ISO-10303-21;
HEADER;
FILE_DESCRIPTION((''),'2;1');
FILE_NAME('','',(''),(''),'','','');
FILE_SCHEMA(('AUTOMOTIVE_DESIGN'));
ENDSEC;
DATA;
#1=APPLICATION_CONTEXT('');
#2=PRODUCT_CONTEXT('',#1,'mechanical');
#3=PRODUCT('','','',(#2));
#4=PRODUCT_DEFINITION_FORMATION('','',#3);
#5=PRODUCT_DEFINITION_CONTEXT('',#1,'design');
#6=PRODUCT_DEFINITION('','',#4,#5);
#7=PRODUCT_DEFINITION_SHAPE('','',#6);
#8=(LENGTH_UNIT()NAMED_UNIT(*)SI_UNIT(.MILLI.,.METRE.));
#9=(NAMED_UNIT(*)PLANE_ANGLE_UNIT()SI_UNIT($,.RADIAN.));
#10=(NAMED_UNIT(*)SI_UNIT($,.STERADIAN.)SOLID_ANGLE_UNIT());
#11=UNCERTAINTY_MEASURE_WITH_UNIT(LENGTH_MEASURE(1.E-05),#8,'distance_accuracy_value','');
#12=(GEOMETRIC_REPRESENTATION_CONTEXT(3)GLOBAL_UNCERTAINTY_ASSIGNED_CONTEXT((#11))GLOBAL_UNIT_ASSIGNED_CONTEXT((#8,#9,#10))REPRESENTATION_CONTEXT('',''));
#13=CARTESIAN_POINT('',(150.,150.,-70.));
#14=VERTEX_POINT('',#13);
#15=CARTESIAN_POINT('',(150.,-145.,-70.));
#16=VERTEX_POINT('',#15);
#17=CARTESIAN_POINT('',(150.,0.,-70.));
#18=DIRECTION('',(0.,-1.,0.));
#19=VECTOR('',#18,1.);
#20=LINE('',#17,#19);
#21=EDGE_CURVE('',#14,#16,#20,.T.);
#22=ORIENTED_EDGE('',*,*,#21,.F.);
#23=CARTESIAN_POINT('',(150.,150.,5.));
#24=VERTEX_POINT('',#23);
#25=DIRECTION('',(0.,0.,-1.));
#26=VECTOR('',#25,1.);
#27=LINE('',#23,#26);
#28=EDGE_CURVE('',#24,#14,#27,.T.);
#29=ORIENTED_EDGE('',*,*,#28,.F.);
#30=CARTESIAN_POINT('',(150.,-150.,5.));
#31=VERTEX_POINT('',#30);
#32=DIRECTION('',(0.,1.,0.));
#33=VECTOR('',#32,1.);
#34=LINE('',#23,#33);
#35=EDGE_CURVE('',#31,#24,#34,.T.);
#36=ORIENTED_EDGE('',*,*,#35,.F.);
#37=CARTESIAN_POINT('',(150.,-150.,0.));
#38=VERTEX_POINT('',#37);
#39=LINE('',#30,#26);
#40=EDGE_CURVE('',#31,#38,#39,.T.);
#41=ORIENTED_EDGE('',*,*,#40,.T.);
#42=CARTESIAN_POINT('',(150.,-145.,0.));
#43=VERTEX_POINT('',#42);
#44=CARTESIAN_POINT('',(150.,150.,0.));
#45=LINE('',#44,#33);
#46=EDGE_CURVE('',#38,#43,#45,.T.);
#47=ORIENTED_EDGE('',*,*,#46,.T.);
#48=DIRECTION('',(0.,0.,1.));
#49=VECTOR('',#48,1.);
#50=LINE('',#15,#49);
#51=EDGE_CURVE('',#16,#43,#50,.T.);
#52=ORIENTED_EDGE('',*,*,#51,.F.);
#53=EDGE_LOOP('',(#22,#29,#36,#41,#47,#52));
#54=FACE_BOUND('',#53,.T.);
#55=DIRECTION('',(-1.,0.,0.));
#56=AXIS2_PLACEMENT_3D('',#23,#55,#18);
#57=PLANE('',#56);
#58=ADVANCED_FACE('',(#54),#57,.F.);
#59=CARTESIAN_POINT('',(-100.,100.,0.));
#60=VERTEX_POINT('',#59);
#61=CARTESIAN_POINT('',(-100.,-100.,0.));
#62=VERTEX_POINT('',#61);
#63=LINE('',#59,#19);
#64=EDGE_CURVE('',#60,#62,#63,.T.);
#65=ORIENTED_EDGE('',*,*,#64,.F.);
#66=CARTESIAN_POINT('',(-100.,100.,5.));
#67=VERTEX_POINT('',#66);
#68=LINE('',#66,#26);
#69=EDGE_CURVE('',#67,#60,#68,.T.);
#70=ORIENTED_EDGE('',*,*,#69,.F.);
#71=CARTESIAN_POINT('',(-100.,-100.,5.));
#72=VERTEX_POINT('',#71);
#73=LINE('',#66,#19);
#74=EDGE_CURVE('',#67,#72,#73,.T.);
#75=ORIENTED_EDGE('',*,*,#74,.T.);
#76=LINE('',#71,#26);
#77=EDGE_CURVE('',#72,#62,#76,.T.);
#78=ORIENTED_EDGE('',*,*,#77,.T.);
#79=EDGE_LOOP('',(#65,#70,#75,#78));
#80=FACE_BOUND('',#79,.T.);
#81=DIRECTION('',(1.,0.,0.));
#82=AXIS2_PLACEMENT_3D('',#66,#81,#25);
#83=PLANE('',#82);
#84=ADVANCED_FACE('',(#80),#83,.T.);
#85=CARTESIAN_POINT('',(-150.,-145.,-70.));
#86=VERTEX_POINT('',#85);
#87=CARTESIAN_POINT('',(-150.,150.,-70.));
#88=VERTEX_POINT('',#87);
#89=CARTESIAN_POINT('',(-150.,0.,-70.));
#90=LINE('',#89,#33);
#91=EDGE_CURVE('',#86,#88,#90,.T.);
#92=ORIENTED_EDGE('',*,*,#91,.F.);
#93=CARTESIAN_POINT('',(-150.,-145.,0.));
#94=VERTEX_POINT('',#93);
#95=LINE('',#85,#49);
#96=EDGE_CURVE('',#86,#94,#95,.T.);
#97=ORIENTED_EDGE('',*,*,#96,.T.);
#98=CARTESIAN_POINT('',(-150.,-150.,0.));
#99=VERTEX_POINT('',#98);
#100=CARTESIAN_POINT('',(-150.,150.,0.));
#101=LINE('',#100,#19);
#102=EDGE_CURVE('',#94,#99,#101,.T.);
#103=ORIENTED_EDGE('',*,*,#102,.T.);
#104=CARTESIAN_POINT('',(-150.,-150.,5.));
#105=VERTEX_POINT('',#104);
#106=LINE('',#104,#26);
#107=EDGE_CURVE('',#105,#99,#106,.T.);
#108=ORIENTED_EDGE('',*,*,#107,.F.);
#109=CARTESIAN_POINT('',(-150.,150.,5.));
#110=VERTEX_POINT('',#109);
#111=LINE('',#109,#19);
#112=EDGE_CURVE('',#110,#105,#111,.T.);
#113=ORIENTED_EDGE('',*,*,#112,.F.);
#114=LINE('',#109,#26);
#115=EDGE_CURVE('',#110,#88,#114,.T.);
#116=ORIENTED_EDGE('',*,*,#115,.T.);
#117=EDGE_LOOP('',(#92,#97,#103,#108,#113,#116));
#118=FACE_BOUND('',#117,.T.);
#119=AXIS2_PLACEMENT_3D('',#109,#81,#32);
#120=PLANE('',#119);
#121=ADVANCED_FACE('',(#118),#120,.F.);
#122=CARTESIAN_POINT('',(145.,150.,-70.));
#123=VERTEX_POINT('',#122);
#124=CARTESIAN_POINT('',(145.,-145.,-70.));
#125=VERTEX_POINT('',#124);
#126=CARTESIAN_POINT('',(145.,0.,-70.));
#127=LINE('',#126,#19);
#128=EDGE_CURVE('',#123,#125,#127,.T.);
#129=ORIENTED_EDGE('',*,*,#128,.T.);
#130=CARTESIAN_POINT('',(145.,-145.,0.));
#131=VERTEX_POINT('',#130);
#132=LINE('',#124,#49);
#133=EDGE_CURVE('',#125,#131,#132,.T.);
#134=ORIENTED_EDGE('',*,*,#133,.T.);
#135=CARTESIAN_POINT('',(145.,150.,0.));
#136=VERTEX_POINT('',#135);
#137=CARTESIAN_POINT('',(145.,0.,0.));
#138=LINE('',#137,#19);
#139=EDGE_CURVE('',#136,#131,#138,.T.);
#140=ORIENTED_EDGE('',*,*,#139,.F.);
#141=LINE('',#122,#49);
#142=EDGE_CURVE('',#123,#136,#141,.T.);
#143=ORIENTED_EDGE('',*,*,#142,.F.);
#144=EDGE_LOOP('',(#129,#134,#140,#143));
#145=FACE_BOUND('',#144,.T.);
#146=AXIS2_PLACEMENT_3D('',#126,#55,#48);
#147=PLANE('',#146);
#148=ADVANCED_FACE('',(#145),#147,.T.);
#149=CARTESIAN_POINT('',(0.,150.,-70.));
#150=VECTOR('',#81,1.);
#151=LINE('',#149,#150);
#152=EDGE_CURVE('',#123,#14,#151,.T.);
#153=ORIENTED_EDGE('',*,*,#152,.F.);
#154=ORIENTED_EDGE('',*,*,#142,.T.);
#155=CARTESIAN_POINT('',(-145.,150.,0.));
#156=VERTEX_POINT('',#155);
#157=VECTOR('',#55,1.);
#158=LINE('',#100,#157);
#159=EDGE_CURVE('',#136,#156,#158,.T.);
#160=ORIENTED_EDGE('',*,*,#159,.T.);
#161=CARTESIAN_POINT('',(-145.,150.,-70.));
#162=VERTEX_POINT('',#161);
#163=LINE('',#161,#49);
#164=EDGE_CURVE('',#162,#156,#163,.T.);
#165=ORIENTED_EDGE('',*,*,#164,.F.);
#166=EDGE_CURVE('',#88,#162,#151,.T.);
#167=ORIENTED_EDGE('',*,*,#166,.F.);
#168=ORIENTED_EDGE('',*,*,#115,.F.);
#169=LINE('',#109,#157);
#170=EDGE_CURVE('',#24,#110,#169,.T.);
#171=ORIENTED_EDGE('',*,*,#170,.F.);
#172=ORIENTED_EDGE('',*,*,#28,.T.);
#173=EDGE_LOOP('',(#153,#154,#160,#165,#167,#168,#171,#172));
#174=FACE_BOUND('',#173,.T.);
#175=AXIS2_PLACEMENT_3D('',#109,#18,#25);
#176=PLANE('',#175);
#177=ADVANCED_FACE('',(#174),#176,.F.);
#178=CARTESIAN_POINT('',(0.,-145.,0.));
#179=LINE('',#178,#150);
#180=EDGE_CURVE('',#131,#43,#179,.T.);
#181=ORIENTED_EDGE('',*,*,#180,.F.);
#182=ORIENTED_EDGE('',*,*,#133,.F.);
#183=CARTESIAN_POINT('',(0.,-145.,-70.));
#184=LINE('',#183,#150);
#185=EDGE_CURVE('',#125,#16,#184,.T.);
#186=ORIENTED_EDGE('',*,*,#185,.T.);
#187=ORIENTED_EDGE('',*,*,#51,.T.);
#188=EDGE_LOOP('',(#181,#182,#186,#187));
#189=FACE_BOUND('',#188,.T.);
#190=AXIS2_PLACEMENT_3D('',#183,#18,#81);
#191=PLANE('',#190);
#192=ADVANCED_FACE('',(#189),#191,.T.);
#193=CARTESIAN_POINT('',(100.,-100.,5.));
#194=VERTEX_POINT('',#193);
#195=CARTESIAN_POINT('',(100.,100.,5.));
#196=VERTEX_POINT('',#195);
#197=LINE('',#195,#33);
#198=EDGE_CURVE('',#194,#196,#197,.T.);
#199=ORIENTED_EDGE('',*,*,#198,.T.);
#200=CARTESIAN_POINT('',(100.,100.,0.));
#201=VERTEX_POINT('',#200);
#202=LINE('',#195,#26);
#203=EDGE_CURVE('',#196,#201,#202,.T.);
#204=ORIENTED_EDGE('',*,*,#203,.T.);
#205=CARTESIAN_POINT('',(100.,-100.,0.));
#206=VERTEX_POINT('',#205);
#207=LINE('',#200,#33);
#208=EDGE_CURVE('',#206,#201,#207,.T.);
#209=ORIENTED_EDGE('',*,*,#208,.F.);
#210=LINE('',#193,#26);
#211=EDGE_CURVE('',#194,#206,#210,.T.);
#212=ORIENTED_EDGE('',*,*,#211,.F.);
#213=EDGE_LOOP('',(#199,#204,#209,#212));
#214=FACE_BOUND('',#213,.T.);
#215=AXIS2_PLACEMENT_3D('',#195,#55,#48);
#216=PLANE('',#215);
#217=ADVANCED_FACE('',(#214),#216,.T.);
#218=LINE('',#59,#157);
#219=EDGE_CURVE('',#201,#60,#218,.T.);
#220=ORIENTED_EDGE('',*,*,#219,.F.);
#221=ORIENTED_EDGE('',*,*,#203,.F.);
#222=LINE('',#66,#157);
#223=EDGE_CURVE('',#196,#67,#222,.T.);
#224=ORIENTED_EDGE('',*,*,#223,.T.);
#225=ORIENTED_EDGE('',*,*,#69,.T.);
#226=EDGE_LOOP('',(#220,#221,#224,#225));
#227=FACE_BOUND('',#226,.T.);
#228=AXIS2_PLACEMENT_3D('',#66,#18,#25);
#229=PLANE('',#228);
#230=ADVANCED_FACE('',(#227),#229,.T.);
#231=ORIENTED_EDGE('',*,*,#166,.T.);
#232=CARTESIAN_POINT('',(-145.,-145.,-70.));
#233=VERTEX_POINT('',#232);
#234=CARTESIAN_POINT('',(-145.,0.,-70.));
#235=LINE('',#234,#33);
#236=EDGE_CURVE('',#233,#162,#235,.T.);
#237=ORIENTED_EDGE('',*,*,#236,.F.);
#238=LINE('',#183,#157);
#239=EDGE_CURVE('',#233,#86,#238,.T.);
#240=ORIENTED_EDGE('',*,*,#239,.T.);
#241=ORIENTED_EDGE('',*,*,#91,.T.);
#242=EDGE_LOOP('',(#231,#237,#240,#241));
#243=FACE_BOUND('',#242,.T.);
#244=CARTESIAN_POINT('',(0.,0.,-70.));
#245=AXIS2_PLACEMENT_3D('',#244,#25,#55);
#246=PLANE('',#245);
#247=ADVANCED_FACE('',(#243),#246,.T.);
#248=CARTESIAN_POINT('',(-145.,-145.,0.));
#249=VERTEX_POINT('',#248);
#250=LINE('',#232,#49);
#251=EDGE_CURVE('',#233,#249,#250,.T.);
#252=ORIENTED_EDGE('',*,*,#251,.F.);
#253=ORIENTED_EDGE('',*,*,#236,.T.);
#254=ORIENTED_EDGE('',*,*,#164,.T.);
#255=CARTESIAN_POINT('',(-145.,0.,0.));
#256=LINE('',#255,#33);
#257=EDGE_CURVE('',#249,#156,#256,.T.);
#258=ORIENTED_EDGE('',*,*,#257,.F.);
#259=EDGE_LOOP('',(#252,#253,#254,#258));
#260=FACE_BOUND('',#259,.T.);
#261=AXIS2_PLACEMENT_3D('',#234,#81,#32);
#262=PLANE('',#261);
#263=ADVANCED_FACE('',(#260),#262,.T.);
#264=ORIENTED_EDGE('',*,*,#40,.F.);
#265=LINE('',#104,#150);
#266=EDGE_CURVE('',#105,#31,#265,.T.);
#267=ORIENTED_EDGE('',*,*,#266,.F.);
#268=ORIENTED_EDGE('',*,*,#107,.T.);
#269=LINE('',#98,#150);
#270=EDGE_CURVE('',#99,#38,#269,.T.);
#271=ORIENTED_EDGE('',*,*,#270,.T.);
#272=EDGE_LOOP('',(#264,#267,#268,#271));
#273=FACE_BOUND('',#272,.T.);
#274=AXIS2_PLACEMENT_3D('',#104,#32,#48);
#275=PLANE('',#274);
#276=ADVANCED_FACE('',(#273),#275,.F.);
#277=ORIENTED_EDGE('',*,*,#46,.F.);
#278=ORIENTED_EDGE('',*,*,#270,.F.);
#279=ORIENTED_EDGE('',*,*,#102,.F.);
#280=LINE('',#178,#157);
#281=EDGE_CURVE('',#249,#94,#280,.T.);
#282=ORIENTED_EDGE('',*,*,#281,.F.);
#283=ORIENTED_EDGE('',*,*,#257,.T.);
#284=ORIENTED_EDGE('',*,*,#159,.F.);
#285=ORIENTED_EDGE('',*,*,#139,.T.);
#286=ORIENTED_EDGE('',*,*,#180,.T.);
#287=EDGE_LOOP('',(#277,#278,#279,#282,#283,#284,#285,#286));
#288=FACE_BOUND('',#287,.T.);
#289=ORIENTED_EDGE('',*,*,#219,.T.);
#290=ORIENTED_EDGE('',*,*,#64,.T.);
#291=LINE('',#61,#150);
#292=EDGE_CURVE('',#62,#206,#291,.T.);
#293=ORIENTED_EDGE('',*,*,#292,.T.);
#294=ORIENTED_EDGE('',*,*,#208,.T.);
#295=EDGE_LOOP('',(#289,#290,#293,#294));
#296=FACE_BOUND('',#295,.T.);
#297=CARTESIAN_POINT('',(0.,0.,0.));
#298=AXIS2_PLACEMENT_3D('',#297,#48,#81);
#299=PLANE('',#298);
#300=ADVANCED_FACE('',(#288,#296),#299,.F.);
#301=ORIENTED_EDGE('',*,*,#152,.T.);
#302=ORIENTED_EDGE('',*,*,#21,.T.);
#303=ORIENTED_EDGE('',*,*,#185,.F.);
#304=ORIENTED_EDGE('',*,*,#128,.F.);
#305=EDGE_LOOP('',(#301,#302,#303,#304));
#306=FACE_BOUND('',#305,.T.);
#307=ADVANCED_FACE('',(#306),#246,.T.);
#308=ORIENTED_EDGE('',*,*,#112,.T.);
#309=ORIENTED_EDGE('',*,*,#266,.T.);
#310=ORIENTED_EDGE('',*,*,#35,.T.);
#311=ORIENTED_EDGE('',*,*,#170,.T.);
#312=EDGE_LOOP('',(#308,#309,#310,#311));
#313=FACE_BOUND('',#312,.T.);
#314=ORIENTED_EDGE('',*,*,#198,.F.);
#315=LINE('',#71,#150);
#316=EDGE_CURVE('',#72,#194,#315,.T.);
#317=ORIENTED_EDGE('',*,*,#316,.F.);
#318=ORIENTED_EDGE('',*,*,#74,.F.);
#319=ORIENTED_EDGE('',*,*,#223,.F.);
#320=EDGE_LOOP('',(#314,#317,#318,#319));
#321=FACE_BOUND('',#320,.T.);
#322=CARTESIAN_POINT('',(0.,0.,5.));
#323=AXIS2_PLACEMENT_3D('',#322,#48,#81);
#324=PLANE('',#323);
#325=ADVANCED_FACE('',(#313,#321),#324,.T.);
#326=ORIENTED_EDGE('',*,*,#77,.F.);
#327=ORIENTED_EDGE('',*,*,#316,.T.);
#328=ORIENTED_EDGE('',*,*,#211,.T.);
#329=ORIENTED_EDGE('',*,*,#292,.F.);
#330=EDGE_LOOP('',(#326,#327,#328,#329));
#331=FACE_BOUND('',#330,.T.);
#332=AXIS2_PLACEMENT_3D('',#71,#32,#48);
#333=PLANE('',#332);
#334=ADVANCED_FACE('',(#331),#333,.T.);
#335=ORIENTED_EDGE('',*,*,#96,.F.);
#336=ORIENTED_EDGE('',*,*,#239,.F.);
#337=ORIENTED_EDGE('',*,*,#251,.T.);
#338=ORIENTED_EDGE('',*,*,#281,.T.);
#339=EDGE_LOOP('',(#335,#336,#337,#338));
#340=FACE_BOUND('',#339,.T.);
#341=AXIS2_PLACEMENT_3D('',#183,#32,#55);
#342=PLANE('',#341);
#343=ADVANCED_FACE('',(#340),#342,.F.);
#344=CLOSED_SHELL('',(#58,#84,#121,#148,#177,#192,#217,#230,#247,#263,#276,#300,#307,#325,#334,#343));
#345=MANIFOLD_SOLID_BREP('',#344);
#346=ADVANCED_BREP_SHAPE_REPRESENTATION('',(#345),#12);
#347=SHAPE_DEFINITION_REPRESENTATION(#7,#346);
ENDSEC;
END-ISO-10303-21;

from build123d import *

# Parameters (mm, degrees)
SKETCH1_W           = 300
SKETCH1_H           = 300
SKETCH1_W_2         = 200
SKETCH1_H_2         = 200
BOSS_EXTRUDE1_DEPTH = 5
BOSS_EXTRUDE5_DEPTH = 70


with BuildPart() as part:
    # Sketch1 → Boss-Extrude1 (new body)
    with BuildSketch(Plane.XY):
        Rectangle(SKETCH1_W, SKETCH1_H)
        Rectangle(SKETCH1_W_2, SKETCH1_H_2, mode=Mode.SUBTRACT)
    extrude(amount=BOSS_EXTRUDE1_DEPTH)

    # Sketch2 → Boss-Extrude5 (add)
    with BuildSketch(Plane(origin=(0, 0, 0), x_dir=(-1, 0, 0), z_dir=(0, 0, -1))):
        Polygon((-150, -145), (-145, -145), (-145, 145), (-145, 150), (-150, 150), align=None)
        Polygon((145, 145), (145, -145), (150, -145), (150, 150), (145, 150), align=None)
    extrude(amount=BOSS_EXTRUDE5_DEPTH)


solid = part.part
